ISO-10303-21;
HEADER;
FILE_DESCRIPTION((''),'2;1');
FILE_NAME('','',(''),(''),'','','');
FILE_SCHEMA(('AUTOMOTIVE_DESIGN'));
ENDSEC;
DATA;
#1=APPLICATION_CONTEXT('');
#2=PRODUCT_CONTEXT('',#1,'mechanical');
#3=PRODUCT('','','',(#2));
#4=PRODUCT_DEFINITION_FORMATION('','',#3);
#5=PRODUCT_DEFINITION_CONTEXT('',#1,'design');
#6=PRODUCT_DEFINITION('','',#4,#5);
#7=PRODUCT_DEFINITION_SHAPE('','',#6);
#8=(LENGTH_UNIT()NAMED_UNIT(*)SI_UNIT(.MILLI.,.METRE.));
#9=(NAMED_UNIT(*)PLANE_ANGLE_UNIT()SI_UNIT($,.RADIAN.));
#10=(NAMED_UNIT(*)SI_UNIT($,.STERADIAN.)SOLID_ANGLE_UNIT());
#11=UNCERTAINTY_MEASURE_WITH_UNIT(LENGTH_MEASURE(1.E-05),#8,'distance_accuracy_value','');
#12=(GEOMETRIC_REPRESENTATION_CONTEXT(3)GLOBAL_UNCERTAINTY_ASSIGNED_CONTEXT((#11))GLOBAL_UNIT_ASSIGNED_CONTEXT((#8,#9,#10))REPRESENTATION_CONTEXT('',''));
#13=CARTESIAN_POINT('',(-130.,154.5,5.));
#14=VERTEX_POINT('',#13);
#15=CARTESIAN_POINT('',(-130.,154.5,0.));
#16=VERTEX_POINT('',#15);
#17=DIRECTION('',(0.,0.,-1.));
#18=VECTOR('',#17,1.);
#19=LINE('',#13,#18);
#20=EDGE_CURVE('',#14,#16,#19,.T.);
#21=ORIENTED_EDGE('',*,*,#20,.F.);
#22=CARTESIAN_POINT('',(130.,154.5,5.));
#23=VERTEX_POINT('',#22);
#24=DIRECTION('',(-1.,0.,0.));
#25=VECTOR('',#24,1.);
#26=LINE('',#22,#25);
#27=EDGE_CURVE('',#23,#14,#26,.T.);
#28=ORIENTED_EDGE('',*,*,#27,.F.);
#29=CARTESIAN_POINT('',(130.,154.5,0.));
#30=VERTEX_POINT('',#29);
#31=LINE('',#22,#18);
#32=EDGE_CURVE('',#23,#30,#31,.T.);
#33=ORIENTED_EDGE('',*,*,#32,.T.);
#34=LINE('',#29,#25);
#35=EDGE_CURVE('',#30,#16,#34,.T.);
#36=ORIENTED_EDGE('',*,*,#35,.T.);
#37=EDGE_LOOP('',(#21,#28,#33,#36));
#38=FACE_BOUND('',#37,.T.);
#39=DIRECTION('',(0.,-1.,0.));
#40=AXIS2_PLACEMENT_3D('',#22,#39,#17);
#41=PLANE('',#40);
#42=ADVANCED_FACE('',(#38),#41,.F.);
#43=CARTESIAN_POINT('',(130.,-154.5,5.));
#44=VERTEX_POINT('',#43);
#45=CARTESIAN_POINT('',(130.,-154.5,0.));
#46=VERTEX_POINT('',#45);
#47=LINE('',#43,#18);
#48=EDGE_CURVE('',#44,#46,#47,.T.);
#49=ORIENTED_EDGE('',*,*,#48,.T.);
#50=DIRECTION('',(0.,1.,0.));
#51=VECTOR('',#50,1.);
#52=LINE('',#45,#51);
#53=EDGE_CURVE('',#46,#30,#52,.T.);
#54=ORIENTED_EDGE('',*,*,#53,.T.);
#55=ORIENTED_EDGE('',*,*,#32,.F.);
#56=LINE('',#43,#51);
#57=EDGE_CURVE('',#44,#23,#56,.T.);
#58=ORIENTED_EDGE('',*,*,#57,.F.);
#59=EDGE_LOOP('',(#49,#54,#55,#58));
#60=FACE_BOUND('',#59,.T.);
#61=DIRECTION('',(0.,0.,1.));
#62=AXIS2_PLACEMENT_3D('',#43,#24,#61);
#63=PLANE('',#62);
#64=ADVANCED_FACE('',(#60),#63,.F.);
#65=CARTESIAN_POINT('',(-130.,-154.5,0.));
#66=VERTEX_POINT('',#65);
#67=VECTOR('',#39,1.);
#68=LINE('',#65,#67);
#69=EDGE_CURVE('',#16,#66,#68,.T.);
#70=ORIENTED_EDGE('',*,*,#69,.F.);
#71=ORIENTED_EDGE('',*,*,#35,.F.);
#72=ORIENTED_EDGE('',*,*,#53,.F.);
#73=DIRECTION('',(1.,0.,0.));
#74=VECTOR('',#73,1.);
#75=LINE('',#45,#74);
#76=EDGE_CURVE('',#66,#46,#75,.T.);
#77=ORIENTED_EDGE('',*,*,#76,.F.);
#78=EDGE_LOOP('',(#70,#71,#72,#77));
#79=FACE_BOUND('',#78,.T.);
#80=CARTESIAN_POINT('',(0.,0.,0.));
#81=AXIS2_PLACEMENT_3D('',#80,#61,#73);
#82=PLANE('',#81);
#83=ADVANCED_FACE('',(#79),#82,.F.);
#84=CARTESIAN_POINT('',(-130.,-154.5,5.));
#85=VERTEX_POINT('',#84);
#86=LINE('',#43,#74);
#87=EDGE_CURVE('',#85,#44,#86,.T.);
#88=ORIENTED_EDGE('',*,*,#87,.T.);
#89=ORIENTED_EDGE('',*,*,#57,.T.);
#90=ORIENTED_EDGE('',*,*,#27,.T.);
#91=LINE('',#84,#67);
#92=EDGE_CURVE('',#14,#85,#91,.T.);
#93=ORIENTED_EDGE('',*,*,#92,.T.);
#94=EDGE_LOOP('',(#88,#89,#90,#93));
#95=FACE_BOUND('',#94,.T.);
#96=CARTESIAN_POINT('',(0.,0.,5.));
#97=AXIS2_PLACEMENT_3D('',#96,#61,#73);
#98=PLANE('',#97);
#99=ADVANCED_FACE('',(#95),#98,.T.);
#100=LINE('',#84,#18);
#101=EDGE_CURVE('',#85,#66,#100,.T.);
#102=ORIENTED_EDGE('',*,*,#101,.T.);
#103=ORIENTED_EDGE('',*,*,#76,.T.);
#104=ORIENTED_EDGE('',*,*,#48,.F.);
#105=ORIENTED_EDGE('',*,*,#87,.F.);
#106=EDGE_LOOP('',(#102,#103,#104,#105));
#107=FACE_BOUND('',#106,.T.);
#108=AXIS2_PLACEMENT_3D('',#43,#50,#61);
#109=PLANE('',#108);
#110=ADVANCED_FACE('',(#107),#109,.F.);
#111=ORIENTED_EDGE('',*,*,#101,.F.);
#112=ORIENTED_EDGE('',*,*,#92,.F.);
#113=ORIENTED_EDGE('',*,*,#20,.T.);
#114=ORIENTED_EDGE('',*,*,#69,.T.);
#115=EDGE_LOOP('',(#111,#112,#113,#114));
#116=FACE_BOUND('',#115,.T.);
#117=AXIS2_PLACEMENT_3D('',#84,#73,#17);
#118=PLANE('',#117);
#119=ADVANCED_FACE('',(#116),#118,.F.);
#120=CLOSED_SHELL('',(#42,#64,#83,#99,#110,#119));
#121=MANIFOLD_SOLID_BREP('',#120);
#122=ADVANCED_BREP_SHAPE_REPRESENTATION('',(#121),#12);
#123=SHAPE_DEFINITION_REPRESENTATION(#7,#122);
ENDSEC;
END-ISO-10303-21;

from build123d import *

# Parameters (mm, degrees)
ESQUISSE1_W        = 260
ESQUISSE1_H        = 309
BOSS_EXTRU_1_DEPTH = 5


with BuildPart() as part:
    # Esquisse1 → Boss.-Extru.1 (new body)
    with BuildSketch(Plane.XY):
        Rectangle(ESQUISSE1_W, ESQUISSE1_H)
    extrude(amount=BOSS_EXTRU_1_DEPTH)


solid = part.part
